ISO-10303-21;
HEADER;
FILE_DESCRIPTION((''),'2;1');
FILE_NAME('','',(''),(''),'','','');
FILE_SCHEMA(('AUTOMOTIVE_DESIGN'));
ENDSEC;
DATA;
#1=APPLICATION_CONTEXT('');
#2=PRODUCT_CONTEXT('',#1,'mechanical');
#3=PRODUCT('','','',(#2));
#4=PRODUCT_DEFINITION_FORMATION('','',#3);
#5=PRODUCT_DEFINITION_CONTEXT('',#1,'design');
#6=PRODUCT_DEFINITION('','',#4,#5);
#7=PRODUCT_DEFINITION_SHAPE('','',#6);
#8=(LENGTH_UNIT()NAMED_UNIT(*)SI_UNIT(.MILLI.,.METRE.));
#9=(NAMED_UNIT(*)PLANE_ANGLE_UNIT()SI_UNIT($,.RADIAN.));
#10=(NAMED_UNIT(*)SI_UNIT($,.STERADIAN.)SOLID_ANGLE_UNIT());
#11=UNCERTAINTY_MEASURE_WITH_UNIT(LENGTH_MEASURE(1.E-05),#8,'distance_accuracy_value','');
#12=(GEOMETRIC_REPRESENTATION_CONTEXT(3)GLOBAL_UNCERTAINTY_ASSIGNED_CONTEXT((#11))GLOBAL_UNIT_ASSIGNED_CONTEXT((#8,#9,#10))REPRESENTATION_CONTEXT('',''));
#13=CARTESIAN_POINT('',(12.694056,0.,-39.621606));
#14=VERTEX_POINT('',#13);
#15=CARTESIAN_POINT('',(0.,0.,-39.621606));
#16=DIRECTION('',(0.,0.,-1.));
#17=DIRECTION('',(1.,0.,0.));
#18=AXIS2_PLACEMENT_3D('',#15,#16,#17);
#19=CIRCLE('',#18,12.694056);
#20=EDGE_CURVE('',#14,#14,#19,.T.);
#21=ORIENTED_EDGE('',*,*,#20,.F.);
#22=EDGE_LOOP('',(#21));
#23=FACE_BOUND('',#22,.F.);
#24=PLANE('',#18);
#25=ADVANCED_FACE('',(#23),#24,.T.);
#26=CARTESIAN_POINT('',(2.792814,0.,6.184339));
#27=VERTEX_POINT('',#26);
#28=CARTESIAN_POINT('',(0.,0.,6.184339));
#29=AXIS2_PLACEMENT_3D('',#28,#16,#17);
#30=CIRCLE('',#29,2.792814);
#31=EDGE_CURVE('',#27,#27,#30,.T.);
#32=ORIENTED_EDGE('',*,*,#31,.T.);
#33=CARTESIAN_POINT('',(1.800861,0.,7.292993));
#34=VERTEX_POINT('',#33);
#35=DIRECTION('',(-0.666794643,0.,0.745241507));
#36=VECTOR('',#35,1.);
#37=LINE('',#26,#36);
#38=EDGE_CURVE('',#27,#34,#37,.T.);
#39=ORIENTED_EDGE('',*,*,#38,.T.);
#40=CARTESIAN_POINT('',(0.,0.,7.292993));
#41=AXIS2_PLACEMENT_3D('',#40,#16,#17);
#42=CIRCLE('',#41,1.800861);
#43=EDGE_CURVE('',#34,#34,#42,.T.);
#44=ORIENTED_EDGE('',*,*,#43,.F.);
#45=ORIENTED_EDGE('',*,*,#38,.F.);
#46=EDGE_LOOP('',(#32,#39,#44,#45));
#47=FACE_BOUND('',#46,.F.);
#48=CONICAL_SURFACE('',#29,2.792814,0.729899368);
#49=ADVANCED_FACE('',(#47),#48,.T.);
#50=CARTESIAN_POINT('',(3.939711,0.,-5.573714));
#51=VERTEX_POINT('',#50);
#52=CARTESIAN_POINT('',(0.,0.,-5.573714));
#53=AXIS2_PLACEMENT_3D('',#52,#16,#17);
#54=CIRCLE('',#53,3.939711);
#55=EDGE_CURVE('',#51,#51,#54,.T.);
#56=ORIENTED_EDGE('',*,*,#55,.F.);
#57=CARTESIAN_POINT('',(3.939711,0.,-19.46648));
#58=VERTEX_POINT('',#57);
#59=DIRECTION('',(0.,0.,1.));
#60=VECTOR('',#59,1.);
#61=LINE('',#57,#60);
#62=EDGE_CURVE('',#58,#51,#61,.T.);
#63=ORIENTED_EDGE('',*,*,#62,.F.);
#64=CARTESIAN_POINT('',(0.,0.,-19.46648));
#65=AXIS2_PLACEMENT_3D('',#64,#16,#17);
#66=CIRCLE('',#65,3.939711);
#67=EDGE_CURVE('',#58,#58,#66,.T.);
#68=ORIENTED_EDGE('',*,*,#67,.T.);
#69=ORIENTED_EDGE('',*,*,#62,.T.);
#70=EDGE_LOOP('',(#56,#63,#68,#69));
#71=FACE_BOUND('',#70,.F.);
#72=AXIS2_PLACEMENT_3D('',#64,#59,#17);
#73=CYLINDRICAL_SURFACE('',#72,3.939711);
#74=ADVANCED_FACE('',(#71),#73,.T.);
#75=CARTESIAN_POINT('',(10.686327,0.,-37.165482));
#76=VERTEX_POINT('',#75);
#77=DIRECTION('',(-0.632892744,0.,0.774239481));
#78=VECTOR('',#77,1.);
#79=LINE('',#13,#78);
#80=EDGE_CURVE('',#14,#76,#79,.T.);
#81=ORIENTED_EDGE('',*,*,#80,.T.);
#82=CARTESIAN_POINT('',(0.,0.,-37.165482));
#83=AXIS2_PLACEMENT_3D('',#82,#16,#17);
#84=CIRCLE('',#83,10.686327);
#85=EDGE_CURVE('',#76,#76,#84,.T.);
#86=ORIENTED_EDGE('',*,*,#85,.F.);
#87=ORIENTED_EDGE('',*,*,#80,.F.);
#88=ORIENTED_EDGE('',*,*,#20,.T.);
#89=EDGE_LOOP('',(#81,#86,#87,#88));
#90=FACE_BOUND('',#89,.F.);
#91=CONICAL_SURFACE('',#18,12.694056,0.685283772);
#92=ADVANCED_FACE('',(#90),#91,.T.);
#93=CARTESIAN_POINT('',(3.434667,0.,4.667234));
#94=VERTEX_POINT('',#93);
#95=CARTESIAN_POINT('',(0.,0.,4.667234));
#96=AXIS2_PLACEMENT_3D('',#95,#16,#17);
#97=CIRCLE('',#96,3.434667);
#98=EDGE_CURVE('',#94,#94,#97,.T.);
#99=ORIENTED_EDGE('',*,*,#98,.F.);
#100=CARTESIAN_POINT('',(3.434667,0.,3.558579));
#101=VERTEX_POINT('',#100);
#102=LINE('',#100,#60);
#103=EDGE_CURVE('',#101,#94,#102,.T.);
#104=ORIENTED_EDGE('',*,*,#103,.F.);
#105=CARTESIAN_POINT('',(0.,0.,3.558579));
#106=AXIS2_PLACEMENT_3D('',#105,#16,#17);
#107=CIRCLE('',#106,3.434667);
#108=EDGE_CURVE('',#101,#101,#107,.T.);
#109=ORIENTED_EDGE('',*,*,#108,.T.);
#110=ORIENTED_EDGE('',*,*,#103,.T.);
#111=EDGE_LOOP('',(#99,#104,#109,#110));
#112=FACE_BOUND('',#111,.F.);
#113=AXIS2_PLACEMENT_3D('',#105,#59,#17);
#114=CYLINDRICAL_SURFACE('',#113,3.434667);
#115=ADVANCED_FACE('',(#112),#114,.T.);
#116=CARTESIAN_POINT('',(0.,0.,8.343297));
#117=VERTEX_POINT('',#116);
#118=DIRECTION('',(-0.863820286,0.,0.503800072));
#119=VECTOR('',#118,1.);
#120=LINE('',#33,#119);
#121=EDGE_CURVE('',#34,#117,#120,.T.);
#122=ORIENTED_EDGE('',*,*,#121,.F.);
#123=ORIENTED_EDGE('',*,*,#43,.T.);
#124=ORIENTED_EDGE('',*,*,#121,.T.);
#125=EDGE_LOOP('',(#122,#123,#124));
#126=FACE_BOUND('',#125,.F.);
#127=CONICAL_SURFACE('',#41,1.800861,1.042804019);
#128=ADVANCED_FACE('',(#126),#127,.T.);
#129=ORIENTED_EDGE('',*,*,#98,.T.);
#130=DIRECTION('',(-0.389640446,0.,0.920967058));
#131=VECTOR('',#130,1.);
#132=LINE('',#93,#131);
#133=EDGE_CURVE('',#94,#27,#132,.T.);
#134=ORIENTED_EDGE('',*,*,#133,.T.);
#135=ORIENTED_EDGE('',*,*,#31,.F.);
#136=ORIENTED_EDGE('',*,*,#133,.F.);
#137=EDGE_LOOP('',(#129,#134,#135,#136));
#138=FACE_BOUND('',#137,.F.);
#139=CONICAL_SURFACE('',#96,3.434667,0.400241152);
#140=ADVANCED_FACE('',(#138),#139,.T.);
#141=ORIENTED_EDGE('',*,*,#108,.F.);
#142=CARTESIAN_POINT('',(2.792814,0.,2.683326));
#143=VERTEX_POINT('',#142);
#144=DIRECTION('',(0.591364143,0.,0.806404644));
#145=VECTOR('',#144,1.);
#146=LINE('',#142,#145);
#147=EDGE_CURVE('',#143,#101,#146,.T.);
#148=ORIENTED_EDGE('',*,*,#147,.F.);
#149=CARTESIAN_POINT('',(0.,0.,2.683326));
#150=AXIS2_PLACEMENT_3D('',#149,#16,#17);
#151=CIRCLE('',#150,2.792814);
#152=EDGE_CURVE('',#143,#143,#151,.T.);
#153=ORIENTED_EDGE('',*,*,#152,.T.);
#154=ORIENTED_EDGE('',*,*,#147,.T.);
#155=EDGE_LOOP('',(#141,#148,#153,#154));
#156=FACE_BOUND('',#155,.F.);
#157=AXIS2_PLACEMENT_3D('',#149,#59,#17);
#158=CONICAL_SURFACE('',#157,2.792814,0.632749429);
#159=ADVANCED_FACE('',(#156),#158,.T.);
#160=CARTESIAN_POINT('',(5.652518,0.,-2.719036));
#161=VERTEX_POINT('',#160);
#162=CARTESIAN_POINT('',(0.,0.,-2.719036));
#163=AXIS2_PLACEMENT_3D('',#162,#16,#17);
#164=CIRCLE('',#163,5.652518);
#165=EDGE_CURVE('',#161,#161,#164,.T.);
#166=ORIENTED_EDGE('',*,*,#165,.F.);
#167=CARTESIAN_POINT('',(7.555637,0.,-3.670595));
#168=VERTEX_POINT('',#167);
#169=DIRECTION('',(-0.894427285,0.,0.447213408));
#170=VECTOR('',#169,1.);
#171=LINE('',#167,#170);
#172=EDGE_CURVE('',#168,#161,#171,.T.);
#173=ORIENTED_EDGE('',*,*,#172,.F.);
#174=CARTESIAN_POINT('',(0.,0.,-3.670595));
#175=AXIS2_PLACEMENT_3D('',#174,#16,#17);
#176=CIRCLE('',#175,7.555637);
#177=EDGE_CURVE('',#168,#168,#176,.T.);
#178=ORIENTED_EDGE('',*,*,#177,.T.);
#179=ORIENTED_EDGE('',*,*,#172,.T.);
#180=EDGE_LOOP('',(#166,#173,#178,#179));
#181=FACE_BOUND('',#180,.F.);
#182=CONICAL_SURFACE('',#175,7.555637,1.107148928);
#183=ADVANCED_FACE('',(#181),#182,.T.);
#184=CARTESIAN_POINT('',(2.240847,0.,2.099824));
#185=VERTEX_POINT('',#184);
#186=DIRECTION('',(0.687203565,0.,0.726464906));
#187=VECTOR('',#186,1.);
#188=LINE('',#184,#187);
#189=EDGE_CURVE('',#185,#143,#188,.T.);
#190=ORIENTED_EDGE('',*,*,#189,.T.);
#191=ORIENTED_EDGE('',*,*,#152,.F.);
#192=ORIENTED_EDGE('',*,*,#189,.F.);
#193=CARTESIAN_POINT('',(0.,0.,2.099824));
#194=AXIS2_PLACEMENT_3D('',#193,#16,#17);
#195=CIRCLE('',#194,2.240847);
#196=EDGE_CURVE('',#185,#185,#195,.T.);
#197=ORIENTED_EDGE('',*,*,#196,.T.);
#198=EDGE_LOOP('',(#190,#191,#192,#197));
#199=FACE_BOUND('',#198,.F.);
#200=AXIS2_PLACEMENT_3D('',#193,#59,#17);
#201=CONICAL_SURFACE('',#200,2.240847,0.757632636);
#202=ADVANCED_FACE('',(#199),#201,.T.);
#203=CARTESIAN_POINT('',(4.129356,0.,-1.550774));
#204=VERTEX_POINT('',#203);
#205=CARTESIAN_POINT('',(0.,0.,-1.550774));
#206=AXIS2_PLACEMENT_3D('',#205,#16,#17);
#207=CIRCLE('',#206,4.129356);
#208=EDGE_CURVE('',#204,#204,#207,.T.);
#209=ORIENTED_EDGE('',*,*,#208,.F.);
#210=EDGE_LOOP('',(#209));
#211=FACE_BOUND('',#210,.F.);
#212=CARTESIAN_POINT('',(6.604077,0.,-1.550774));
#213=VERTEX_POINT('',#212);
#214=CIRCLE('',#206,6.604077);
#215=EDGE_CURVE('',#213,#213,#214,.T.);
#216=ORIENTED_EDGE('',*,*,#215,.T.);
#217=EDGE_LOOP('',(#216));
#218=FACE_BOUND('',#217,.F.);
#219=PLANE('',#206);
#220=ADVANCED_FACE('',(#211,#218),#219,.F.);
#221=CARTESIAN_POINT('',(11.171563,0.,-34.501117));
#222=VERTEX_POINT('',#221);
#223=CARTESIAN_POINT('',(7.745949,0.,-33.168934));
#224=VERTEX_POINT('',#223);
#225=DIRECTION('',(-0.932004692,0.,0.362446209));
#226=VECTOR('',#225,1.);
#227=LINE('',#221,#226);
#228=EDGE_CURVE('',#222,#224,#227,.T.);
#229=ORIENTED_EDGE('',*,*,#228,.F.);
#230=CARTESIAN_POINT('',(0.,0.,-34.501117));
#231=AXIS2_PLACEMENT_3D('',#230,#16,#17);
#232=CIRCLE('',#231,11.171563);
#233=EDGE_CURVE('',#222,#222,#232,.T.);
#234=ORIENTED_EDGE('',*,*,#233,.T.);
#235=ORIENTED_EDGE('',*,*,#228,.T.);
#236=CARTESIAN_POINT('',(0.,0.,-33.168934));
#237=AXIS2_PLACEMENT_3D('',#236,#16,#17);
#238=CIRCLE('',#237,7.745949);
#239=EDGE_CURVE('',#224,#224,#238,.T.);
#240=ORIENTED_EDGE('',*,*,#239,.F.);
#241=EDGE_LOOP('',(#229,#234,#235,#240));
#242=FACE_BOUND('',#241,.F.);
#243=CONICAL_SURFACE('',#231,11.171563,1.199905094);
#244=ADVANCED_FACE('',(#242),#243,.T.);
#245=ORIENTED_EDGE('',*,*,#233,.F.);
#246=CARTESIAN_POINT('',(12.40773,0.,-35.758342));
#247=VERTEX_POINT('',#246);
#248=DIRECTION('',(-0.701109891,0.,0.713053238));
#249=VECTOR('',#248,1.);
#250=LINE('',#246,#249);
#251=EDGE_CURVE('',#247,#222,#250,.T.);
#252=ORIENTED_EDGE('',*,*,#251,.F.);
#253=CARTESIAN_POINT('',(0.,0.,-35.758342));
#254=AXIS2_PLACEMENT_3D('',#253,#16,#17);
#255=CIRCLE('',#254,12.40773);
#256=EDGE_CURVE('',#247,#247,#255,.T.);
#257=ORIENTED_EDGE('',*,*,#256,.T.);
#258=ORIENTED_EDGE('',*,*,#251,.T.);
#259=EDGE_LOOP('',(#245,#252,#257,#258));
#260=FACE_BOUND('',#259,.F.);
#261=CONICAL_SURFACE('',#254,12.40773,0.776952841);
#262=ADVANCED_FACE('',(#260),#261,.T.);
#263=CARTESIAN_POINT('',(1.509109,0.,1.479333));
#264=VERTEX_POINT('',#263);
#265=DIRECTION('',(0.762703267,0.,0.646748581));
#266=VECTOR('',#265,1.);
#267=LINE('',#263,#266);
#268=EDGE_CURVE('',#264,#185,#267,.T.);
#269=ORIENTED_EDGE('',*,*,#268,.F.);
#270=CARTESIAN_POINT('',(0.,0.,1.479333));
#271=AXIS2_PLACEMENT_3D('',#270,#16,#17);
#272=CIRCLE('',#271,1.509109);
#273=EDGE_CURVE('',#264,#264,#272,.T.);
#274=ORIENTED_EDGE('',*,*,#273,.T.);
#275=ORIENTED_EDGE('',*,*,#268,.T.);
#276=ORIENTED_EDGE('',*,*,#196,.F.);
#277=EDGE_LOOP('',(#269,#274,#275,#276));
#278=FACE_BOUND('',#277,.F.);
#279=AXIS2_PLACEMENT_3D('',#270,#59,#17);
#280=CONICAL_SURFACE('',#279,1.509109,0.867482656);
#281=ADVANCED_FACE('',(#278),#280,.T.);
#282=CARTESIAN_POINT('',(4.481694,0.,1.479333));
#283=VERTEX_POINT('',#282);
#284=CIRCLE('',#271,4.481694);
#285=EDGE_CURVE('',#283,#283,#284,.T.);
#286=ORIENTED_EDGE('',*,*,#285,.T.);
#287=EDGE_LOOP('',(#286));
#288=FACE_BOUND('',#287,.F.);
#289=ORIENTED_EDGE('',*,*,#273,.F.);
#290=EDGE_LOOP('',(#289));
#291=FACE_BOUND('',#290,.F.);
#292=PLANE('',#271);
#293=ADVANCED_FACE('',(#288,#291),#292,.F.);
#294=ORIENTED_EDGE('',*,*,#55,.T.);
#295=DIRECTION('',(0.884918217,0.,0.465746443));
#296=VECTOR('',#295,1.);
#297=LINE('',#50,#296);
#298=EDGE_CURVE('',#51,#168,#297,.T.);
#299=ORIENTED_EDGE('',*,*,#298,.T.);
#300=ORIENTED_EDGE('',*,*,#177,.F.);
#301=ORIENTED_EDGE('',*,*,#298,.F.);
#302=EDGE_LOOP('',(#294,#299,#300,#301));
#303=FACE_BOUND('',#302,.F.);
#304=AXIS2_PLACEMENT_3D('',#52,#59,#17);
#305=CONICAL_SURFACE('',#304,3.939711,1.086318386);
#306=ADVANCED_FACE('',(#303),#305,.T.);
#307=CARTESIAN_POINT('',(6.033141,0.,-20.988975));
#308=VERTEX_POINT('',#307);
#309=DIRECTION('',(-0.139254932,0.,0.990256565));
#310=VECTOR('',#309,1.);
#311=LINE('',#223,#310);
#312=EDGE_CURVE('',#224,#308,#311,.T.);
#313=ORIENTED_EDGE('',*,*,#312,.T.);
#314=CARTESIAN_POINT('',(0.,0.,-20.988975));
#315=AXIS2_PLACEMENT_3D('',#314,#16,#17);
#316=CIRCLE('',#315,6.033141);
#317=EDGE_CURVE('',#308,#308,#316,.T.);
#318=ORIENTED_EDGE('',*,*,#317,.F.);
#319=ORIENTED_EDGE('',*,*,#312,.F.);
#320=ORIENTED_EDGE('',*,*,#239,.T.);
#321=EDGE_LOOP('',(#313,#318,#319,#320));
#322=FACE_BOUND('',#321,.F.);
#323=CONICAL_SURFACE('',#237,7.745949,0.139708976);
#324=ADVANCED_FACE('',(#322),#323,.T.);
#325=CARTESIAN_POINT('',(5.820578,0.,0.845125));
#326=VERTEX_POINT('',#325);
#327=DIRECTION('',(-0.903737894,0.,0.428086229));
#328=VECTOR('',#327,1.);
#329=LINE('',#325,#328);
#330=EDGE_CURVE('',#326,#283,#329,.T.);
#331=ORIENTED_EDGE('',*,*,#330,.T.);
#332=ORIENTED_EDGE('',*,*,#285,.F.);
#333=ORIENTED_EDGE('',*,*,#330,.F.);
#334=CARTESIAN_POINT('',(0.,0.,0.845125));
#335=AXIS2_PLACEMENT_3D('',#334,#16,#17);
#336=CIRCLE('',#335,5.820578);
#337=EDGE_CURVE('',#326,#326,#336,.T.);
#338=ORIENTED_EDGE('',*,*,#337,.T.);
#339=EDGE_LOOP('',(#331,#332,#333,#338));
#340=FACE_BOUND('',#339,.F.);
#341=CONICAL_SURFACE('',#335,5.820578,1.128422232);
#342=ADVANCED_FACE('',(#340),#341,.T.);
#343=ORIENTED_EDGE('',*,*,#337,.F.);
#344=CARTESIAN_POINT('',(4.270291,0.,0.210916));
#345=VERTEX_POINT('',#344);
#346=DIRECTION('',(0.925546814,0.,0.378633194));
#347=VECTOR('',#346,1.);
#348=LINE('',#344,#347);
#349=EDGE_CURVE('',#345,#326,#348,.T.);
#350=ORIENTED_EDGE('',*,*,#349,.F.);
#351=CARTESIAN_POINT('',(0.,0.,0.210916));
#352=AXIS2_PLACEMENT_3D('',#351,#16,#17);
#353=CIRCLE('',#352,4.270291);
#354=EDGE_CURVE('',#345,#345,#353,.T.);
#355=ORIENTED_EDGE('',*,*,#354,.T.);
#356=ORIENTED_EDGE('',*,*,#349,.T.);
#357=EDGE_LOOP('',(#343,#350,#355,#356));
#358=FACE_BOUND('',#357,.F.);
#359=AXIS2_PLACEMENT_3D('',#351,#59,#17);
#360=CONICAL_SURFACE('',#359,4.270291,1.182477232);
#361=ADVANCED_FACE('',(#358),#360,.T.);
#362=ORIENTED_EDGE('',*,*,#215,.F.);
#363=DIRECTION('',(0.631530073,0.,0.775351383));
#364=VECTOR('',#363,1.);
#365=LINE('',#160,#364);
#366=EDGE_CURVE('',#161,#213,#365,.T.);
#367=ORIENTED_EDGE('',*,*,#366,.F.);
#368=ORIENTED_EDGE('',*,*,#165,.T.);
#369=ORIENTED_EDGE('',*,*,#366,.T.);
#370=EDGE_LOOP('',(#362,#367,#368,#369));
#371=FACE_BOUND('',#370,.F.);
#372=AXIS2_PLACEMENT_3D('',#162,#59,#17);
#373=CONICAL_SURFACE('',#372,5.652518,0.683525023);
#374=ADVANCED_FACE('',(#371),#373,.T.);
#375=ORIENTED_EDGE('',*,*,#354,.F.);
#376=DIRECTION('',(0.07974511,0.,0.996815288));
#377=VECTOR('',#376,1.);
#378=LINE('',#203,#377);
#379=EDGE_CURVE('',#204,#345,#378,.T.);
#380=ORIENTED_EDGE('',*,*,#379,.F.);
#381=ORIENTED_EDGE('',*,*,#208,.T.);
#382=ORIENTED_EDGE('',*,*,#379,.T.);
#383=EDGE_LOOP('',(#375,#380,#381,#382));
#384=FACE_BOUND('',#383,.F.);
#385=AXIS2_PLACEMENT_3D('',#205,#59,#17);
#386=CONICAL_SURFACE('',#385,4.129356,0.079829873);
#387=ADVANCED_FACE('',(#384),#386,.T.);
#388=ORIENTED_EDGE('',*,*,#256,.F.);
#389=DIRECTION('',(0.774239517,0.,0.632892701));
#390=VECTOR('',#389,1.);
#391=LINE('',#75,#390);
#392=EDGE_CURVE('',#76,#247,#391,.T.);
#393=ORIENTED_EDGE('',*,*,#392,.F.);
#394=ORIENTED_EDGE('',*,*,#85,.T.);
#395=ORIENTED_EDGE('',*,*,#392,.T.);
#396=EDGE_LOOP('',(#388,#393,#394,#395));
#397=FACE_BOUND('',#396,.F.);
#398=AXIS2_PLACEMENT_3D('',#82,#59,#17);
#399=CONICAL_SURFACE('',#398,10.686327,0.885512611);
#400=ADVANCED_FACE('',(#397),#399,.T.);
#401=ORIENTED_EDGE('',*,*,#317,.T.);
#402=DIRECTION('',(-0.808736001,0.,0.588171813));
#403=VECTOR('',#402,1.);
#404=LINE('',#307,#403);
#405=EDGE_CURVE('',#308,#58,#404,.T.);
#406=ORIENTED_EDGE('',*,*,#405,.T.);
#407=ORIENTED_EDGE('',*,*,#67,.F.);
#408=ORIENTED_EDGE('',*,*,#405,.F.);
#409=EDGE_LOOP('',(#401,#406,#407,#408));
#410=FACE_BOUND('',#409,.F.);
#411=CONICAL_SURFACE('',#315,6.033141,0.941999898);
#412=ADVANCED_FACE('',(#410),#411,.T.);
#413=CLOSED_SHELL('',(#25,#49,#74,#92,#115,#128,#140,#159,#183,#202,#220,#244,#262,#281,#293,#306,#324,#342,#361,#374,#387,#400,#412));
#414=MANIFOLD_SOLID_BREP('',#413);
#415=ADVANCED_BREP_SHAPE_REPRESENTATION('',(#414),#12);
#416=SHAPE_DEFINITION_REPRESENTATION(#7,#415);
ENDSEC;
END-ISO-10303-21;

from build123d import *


with BuildPart() as f1:
    # F0 (on Front) → F1 (revolve)
    with BuildSketch(Plane.XZ):
        Polygon((0, 1.479333), (0, -39.621606), (10.686327, -39.621606), (12.694056, -39.621606), (10.686327, -37.165482), (12.40773, -35.758342), (11.171563, -34.501117), (7.745949, -33.168934), (6.033141, -20.988975), (3.939711, -19.46648), (3.939711, -5.573714), (7.555637, -3.670595), (5.652518, -2.719036), (6.604077, -1.550774), (5.652518, -1.550774), (4.129356, -1.550774), (4.270291, 0.210916), (5.820578, 0.845125), (4.481694, 1.479333), (1.509109, 1.479333), align=None)
        Polygon((0, 8.343297), (0, 1.479333), (1.509109, 1.479333), (2.240847, 2.099824), (2.792814, 2.683326), (3.434667, 3.558579), (3.434667, 4.667234), (2.792814, 6.184339), (1.800861, 7.292993), align=None)
    revolve(axis=Axis((0, 0, 4.911315), (0, 0, -1)))


solid = f1.part
